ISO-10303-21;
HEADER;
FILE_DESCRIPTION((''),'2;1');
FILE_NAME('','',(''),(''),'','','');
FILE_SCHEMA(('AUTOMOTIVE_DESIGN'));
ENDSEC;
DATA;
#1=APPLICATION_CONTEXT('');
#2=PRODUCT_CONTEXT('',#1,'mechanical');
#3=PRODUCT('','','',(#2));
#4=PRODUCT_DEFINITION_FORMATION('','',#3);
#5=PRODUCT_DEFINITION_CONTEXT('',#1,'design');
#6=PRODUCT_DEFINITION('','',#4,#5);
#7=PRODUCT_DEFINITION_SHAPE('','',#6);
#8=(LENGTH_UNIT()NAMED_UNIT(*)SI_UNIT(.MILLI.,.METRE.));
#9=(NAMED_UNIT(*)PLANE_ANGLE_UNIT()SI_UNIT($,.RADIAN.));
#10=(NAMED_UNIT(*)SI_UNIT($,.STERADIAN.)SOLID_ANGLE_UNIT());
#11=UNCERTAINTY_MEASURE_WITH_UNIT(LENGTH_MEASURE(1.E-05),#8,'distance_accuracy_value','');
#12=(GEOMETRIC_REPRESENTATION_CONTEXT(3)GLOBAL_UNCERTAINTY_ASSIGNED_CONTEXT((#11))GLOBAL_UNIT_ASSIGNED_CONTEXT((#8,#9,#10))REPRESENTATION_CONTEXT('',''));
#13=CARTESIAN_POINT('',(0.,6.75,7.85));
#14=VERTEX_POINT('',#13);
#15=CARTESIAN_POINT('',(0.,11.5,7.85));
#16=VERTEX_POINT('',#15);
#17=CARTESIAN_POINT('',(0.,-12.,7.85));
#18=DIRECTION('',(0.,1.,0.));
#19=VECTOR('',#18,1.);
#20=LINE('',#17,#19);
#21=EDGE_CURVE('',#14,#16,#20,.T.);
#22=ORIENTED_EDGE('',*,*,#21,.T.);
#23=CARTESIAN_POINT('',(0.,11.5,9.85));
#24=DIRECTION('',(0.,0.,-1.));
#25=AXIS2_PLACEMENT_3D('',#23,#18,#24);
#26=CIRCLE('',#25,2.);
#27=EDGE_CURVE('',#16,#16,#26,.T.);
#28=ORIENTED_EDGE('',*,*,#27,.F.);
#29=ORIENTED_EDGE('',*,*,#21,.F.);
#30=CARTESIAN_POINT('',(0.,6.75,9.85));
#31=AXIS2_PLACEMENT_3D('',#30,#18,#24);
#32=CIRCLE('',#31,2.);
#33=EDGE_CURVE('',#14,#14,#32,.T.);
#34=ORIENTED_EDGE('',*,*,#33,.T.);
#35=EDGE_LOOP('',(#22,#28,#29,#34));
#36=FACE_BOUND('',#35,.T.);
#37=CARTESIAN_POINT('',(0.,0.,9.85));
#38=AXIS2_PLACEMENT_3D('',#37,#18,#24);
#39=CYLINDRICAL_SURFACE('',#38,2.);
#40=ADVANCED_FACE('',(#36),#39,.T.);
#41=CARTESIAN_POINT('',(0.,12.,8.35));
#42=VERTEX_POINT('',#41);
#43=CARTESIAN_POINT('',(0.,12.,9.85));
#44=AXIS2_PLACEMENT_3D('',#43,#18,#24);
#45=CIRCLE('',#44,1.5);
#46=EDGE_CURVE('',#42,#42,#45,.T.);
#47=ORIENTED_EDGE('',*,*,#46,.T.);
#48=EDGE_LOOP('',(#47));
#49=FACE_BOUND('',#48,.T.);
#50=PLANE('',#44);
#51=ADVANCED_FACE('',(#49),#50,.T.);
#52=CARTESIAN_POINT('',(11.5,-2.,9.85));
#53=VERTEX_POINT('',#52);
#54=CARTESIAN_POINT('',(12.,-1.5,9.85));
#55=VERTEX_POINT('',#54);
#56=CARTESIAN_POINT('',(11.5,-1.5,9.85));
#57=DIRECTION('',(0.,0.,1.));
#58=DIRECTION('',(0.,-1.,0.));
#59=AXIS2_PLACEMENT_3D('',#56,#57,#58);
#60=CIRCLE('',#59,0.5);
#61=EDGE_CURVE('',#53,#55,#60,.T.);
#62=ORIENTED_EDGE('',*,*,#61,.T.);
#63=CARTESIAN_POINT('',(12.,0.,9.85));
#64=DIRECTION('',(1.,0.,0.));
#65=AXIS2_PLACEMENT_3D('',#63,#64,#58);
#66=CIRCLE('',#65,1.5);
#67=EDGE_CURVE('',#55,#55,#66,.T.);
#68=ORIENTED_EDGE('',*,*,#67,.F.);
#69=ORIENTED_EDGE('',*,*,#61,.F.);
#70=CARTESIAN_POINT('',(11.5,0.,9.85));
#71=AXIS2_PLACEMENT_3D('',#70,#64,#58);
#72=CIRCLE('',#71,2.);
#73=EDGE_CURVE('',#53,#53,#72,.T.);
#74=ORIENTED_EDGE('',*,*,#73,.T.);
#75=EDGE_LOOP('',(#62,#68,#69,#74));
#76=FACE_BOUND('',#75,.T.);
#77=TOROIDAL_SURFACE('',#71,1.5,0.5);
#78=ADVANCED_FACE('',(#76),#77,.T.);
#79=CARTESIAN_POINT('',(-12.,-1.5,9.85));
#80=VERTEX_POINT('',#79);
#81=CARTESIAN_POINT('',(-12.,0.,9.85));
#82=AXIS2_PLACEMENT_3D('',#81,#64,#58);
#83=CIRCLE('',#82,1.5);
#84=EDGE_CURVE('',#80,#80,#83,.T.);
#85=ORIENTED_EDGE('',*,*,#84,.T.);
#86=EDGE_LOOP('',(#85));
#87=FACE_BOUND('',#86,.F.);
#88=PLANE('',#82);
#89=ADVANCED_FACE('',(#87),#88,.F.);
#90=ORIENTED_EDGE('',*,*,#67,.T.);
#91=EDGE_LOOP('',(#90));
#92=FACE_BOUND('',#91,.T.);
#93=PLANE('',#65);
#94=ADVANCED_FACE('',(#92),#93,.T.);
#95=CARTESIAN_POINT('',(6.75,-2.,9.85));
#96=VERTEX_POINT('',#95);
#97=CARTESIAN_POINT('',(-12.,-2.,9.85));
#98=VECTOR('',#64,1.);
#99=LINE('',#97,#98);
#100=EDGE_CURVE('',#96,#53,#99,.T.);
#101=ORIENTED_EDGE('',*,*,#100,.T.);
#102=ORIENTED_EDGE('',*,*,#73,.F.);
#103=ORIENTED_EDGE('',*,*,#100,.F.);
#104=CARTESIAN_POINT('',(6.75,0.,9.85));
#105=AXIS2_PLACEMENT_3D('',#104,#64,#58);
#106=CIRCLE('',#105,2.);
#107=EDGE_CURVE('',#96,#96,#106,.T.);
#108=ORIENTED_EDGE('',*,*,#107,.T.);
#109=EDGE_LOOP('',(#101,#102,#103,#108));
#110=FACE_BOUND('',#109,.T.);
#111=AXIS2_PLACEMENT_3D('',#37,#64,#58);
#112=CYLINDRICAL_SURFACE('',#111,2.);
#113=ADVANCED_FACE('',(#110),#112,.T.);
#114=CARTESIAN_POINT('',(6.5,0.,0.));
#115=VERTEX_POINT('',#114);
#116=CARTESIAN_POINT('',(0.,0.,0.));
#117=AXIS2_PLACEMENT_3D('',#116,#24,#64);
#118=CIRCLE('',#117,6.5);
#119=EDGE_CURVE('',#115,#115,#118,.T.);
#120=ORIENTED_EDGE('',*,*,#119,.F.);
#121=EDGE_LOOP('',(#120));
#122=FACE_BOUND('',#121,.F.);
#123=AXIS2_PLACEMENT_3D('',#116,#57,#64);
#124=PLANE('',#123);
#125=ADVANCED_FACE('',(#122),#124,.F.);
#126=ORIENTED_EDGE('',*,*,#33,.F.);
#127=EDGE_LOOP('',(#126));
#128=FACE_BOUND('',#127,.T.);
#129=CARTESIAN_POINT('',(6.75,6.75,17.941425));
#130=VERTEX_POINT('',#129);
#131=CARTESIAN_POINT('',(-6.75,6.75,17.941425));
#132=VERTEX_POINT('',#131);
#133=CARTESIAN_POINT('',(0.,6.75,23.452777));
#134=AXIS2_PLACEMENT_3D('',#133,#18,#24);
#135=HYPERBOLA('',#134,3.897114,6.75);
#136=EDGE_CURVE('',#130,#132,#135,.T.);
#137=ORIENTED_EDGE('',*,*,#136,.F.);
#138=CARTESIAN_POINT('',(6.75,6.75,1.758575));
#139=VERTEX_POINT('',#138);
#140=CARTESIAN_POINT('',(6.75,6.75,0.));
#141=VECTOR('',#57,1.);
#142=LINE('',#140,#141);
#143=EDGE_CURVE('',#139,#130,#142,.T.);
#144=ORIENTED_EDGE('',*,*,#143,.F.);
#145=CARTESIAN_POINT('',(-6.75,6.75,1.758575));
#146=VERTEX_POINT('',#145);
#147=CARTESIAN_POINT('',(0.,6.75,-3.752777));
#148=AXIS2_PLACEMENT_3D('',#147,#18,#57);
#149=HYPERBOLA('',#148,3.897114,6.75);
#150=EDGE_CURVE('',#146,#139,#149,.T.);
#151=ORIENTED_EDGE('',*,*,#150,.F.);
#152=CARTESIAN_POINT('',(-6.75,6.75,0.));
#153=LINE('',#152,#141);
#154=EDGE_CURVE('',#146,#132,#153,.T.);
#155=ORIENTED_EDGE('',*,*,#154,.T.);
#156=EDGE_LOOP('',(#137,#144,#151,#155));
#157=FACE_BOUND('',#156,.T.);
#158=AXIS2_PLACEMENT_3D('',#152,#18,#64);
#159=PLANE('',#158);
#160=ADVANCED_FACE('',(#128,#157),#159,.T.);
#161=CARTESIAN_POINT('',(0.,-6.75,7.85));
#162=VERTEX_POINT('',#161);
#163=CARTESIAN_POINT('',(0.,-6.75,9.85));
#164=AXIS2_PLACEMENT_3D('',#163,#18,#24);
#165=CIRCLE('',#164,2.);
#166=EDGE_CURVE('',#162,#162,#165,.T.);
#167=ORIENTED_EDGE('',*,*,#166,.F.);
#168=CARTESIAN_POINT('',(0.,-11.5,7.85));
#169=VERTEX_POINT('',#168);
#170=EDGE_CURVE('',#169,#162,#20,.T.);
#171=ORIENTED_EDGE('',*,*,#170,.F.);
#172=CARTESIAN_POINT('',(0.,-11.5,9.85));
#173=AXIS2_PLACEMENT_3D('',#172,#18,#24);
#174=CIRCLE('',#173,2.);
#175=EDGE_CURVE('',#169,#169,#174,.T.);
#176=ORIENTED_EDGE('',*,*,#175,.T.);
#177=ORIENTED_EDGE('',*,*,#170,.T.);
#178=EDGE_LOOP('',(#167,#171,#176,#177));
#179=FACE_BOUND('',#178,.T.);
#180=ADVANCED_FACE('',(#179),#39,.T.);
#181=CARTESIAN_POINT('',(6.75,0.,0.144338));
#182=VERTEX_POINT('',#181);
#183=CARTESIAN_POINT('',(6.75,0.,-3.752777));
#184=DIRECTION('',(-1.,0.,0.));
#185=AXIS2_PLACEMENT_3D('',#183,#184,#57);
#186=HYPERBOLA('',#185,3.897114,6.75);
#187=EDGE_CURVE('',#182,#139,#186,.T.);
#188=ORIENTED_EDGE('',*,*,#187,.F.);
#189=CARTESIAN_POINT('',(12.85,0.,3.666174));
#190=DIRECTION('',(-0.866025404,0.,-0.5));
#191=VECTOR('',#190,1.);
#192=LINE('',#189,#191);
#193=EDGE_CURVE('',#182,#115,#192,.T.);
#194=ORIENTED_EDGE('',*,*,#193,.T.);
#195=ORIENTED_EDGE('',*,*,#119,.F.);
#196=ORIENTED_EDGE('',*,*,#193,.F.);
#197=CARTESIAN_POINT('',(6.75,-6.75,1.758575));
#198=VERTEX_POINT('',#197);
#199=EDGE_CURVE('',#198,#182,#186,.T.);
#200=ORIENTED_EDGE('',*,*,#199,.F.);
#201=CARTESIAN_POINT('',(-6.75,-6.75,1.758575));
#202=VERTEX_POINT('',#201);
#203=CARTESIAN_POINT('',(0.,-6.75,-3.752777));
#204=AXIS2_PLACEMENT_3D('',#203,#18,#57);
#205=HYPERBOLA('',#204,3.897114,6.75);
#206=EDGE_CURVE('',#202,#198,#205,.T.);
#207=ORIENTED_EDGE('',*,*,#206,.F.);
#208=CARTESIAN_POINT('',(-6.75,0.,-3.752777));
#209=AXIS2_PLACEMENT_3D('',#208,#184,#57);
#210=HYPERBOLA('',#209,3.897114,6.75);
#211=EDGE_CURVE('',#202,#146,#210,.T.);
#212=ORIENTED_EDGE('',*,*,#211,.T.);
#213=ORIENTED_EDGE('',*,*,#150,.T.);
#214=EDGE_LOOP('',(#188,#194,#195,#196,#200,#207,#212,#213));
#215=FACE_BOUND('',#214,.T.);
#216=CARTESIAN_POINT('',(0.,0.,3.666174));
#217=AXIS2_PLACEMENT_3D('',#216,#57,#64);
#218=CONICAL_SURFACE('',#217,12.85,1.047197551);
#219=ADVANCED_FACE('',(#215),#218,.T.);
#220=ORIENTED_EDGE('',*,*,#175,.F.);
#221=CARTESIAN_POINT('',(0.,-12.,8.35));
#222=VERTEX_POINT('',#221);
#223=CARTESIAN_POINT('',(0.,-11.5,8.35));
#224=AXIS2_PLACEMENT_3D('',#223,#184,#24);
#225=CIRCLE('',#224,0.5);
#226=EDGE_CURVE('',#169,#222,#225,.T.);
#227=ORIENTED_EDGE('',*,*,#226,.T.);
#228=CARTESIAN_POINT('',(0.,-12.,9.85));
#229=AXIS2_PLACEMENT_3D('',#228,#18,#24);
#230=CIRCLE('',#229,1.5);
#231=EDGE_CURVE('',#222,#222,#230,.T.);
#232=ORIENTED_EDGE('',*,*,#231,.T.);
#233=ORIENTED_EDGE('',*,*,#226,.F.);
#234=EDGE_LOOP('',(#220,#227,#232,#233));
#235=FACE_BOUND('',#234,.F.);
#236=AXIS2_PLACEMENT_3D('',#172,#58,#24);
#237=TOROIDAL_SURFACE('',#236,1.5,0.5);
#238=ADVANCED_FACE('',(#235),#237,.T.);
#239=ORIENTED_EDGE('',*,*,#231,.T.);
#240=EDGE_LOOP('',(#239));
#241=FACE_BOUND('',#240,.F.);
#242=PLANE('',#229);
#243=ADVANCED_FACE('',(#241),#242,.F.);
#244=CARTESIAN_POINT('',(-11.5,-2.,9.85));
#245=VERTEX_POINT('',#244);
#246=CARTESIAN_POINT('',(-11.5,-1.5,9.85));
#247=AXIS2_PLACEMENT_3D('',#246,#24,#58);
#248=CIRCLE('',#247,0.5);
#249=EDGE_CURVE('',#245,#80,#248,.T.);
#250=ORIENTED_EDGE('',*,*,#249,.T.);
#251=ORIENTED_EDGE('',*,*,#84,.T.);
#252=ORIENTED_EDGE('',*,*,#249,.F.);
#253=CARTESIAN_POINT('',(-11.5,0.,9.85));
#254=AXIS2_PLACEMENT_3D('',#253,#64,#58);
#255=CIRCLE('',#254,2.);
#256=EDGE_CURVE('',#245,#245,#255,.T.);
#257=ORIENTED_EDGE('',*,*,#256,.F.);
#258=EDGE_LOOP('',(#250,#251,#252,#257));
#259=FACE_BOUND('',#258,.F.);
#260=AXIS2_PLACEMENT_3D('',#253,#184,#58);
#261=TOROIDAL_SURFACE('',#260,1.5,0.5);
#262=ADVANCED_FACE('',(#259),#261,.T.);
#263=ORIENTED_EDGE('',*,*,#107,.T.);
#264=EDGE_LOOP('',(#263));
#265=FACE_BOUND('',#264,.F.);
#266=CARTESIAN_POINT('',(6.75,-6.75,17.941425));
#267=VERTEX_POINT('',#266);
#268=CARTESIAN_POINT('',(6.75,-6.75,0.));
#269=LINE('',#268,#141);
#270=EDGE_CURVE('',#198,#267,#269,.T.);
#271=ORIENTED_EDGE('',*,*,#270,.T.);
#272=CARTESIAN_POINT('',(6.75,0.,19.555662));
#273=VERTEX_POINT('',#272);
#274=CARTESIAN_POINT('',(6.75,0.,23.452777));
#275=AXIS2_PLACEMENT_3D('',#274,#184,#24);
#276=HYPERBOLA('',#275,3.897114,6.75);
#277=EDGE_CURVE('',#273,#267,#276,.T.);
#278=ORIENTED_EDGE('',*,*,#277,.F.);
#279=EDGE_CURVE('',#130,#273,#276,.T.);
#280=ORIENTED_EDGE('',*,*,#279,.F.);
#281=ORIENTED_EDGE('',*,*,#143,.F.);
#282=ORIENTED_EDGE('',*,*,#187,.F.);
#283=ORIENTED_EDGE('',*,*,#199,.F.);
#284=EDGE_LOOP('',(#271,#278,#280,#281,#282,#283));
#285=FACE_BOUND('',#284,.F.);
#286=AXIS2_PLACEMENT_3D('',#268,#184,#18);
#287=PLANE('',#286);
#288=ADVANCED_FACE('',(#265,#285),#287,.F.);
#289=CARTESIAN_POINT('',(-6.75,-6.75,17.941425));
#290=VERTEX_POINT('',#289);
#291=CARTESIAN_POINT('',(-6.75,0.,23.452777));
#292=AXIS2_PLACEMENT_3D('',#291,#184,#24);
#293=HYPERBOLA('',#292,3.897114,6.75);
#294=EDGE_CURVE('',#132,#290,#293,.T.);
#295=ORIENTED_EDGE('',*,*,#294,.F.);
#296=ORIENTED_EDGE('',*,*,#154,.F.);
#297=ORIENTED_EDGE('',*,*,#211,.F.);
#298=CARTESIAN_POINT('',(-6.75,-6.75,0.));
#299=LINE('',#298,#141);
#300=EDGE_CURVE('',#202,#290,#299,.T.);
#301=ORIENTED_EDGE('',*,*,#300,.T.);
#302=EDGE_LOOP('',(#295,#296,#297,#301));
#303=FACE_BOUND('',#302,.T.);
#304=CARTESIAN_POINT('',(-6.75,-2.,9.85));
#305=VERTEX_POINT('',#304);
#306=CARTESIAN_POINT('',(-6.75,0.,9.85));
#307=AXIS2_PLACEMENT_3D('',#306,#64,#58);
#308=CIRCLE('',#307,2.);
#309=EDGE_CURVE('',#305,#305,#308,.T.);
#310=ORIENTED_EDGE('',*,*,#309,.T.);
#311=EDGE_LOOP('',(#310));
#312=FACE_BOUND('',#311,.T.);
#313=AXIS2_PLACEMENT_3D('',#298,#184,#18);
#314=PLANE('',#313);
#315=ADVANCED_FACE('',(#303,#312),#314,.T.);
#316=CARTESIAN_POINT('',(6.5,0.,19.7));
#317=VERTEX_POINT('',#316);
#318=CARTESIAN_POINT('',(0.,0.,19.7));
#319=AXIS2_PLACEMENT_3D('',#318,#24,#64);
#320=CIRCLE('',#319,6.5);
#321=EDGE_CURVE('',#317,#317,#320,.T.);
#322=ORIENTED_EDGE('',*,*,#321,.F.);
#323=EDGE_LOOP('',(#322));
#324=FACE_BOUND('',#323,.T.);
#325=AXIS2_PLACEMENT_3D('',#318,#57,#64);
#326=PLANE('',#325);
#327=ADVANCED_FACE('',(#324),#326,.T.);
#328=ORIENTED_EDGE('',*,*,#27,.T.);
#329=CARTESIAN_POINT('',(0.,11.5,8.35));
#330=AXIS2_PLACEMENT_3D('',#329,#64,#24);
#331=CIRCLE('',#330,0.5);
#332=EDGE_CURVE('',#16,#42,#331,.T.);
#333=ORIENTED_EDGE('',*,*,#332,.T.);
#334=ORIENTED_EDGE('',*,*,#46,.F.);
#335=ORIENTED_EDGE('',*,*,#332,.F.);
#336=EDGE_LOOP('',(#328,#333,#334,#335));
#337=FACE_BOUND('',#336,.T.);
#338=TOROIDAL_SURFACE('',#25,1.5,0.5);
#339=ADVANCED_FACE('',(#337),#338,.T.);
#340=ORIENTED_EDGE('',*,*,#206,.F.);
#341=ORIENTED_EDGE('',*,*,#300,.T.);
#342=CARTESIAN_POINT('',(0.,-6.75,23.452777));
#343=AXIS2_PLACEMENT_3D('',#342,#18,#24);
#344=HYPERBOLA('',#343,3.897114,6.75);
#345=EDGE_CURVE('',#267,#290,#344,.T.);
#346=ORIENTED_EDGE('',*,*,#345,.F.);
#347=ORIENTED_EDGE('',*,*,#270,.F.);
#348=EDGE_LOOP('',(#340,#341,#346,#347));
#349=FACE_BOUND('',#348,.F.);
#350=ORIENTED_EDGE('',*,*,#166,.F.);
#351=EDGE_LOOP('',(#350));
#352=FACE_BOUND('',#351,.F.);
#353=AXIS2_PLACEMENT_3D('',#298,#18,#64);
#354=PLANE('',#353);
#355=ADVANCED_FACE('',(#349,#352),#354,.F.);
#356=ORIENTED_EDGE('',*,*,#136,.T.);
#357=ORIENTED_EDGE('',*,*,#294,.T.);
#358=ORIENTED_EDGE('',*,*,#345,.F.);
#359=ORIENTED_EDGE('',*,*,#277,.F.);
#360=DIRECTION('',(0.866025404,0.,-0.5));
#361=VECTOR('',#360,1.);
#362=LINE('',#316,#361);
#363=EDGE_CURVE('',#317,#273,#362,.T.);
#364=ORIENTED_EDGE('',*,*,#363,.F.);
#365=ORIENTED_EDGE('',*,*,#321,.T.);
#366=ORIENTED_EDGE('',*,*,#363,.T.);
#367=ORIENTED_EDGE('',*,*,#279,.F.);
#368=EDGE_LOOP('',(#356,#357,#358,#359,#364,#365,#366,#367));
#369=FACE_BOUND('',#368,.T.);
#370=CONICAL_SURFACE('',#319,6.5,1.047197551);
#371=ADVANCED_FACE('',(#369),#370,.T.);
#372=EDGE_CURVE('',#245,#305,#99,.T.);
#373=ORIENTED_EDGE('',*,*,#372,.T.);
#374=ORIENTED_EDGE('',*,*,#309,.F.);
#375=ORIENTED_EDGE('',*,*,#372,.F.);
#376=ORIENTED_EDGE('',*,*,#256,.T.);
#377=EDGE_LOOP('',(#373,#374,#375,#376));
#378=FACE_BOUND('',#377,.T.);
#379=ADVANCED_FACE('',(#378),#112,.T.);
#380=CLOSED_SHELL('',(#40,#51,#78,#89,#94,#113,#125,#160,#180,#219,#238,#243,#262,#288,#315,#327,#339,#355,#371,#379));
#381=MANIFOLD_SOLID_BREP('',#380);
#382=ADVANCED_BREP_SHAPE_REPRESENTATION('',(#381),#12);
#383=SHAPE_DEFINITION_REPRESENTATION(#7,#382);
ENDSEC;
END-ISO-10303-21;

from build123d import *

# Parameters (mm, degrees)
SKETCH1_W           = 13.5
SKETCH1_H           = 13.5
BOSS_EXTRUDE1_DEPTH = 19.7
SKETCH3_R           = 2
BOSS_EXTRUDE2_DEPTH = 12
SKETCH4_R           = 2
BOSS_EXTRUDE3_DEPTH = 12
FILLET1_R           = 0.5


with BuildPart() as part:
    # Sketch1 → Boss-Extrude1 (new body)
    with BuildSketch(Plane.XY):
        Rectangle(SKETCH1_W, SKETCH1_H)
    extrude(amount=BOSS_EXTRUDE1_DEPTH)

    # Sketch2 → Cut-Revolve1 (revolve, cut)
    with BuildSketch(Plane(origin=(0, 0, 0), x_dir=(1, 0, 0), z_dir=(0, 1, 0)), mode=Mode.PRIVATE) as cut_revolve1_sk:
        Polygon((-6.5, 0), (-15.39, 0), (-15.39, -19.7), (-6.5, -19.7), (-12.85, -16.033825791), (-12.85, -3.666174209), align=None)
    revolve(cut_revolve1_sk.sketch.rotate(Axis((0, 0, 20.715268644), (0, 0, -1)), 180), axis=Axis((0, 0, 20.715268644), (0, 0, -1)), mode=Mode.SUBTRACT)

    # Sketch3 → Boss-Extrude2 (add, symmetric)
    with BuildSketch(Plane(origin=(0, 0, 0), x_dir=(1, 0, 0), z_dir=(0, 1, 0))):
        with Locations(Location((0, -9.85, 0), (0, 0, 90))):
            Circle(SKETCH3_R)
    extrude(amount=BOSS_EXTRUDE2_DEPTH, both=True)

    # Sketch4 → Boss-Extrude3 (add, symmetric)
    with BuildSketch(Plane(origin=(0, 0, 0), x_dir=(0, 0, -1), z_dir=(1, 0, 0))):
        with Locations(Location((-9.85, 0, 0), (0, 0, 270))):
            Circle(SKETCH4_R)
    extrude(amount=BOSS_EXTRUDE3_DEPTH, both=True)

    # Fillet1
    fillet1_edges = [part.edges().sort_by_distance(p)[0] for p in [
        (0, -12, 11.85),
        (0, 12, 11.85),
        (-12, 2, 9.85),
        (12, 2, 9.85),
    ]]
    fillet(fillet1_edges, radius=FILLET1_R)


solid = part.part
